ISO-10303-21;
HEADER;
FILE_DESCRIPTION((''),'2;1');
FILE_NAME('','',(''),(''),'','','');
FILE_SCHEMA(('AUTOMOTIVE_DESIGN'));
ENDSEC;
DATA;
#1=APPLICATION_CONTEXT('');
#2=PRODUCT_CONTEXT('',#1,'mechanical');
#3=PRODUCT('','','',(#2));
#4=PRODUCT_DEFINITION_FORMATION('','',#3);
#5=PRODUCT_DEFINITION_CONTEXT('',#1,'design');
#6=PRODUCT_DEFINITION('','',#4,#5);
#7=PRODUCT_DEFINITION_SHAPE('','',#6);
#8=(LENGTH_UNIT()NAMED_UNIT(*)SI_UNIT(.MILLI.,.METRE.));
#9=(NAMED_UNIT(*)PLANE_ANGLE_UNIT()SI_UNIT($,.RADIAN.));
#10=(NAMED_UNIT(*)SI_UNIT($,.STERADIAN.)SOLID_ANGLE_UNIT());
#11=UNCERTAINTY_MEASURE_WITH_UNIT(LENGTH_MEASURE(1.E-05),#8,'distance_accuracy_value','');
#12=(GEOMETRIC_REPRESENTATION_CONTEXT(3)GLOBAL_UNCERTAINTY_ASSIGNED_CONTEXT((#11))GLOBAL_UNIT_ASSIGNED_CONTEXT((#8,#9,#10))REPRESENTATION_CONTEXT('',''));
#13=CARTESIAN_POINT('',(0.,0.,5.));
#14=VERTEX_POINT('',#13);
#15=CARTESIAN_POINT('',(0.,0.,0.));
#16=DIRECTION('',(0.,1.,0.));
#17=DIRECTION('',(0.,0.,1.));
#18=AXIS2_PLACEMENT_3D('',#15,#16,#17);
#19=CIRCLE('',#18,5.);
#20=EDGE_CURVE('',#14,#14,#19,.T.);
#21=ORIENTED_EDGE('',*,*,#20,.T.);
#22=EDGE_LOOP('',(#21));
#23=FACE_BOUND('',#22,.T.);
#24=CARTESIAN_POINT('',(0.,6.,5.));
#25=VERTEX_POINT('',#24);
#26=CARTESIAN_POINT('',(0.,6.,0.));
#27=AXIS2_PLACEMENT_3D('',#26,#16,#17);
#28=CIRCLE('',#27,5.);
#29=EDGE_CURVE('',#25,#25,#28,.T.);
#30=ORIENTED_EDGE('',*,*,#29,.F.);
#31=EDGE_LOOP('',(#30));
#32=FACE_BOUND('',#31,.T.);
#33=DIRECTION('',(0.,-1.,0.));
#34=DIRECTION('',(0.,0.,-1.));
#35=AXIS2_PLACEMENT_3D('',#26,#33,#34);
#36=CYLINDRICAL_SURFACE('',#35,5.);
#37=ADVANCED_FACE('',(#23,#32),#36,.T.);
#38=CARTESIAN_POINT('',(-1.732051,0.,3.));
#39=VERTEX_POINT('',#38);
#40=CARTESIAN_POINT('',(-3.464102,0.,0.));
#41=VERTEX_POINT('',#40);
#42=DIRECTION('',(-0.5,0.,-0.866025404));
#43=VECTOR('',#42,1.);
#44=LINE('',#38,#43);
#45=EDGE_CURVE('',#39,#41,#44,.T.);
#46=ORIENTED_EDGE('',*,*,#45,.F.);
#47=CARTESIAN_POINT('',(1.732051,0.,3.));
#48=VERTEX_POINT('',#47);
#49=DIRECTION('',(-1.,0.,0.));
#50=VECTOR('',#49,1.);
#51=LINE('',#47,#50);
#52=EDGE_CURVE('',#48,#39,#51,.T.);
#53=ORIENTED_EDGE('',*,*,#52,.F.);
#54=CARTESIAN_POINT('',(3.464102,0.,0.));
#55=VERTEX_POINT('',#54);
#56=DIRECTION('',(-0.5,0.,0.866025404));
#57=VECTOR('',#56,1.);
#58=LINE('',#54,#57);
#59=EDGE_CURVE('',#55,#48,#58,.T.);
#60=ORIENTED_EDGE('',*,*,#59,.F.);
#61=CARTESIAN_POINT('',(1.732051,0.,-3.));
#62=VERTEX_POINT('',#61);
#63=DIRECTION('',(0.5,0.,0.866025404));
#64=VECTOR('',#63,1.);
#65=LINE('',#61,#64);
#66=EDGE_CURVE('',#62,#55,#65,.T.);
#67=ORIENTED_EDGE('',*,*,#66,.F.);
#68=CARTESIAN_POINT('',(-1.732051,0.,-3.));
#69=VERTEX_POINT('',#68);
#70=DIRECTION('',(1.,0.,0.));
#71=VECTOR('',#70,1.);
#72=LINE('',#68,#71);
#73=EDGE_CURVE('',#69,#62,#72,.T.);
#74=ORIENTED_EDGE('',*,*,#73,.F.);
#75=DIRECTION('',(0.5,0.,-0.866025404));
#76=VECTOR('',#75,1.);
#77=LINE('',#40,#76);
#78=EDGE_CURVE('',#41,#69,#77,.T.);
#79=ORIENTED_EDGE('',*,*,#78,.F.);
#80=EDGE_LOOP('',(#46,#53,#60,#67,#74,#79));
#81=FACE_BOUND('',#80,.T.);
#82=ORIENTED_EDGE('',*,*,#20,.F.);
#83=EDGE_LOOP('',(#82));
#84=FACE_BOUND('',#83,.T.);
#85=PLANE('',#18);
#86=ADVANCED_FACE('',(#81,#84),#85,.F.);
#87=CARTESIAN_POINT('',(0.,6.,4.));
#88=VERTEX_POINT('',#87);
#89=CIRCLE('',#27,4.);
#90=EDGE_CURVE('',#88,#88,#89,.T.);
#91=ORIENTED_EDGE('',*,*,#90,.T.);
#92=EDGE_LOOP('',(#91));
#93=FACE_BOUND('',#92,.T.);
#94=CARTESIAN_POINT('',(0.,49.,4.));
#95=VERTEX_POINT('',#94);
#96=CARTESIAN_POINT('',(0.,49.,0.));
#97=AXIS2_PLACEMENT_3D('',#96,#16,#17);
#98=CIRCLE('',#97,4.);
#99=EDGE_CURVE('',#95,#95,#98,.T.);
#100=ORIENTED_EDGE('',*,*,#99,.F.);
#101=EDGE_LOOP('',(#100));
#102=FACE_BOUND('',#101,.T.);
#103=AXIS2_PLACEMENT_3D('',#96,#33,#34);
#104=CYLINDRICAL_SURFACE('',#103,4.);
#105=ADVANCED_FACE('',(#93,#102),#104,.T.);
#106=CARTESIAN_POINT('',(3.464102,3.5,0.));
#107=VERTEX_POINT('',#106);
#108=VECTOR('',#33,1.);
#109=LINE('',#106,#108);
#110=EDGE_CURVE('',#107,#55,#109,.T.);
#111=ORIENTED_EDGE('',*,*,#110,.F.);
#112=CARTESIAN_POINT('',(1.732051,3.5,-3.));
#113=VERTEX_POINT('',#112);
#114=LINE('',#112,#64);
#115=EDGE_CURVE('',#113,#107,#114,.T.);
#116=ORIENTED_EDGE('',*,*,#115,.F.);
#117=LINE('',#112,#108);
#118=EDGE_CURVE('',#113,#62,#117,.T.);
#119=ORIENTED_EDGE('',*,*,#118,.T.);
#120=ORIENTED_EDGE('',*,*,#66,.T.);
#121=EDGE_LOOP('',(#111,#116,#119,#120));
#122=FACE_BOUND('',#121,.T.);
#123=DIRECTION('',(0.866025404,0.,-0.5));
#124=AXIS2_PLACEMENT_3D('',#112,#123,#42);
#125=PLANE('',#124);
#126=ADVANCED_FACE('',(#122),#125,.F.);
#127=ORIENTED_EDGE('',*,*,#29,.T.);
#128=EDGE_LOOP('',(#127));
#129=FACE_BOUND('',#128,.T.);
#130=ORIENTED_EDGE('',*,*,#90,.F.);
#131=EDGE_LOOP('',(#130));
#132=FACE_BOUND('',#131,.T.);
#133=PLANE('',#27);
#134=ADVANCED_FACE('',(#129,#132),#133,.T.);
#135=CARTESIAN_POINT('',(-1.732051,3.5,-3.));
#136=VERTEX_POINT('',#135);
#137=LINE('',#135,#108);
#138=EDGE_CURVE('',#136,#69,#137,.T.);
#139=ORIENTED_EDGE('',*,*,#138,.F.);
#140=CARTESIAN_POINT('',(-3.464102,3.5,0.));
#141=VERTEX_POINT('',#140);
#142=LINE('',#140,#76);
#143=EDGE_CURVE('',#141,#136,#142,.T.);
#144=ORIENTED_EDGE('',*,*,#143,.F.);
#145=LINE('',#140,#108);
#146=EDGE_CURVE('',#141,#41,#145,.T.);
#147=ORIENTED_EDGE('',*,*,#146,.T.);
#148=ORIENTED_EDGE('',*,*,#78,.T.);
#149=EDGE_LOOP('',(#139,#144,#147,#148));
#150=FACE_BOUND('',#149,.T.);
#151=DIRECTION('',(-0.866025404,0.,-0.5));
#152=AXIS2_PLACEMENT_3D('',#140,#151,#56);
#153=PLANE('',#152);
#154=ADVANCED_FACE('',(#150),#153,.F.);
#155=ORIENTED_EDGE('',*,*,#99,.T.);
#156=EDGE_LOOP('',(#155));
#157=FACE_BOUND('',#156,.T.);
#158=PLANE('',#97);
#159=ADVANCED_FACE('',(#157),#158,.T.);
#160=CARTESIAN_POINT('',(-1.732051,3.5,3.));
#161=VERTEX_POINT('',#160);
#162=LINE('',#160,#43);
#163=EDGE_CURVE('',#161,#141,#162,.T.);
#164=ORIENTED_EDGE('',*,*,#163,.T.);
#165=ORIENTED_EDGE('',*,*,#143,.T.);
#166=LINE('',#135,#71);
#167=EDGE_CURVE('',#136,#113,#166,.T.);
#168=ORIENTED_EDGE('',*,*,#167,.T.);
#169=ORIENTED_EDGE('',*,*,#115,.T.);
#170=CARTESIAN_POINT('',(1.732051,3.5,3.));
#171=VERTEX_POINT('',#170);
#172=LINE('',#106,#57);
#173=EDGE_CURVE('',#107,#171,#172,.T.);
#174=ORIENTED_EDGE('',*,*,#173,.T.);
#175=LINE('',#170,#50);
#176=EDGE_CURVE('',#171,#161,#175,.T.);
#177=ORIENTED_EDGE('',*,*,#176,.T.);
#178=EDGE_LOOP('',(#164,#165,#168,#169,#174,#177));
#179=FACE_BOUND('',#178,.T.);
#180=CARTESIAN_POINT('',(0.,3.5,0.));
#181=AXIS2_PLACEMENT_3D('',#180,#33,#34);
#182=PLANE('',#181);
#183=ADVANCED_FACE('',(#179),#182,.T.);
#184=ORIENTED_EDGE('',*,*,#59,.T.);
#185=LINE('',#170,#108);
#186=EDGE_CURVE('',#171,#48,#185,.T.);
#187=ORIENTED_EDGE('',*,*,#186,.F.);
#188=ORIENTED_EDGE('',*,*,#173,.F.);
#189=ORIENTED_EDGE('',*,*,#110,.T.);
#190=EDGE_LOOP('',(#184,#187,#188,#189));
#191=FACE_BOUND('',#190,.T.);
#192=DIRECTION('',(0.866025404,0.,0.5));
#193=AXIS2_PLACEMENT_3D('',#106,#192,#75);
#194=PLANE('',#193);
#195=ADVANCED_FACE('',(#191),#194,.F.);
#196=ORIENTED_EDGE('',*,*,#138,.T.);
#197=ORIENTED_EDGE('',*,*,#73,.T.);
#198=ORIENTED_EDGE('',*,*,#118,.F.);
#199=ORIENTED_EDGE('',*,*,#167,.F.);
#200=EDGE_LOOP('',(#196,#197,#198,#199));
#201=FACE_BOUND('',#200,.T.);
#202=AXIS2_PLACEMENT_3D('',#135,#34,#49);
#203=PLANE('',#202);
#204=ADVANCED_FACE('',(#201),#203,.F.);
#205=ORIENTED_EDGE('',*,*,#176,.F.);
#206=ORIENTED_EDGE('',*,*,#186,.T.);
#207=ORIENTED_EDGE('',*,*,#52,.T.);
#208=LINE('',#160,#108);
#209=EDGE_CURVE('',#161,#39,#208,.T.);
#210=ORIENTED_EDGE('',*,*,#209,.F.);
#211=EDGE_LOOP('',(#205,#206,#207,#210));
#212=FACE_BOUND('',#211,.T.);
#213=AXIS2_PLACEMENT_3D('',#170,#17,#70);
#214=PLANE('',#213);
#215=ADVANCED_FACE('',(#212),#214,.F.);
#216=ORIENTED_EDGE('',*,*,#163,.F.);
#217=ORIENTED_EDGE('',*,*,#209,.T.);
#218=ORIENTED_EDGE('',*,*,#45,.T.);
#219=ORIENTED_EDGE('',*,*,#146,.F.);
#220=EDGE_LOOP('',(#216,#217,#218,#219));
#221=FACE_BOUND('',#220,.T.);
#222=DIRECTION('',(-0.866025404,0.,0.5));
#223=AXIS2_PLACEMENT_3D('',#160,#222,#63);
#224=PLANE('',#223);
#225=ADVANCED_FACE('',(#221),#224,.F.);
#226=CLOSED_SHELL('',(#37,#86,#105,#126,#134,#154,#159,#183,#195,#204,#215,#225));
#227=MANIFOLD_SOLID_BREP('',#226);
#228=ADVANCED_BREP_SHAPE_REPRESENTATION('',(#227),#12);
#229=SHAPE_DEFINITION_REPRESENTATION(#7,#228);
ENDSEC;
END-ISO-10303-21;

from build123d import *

# Parameters (mm, degrees)
SKETCH1_R           = 5
BOSS_EXTRUDE1_DEPTH = 6
SKETCH2_R           = 4
BOSS_EXTRUDE2_DEPTH = 43
CUT_EXTRUDE1_DEPTH  = 3.5


with BuildPart() as part:
    # Sketch1 → Boss-Extrude1 (new body)
    with BuildSketch(Plane(origin=(0, 0, 0), x_dir=(1, 0, 0), z_dir=(0, 1, 0))):
        Circle(SKETCH1_R)
    extrude(amount=BOSS_EXTRUDE1_DEPTH)

    # Sketch2 → Boss-Extrude2 (add)
    with BuildSketch(Plane(origin=(0, 6, 0), x_dir=(1, 0, 0), z_dir=(0, 1, 0))):
        Circle(SKETCH2_R)
    extrude(amount=BOSS_EXTRUDE2_DEPTH)

    # Sketch3 → Cut-Extrude1 (cut)
    with BuildSketch(Plane.XZ):
        Polygon((3.464101615, 0), (1.732050808, 3), (-1.732050808, 3), (-3.464101615, 0), (-1.732050808, -3), (1.732050808, -3), align=None)
    extrude(amount=-CUT_EXTRUDE1_DEPTH, mode=Mode.SUBTRACT)


solid = part.part
